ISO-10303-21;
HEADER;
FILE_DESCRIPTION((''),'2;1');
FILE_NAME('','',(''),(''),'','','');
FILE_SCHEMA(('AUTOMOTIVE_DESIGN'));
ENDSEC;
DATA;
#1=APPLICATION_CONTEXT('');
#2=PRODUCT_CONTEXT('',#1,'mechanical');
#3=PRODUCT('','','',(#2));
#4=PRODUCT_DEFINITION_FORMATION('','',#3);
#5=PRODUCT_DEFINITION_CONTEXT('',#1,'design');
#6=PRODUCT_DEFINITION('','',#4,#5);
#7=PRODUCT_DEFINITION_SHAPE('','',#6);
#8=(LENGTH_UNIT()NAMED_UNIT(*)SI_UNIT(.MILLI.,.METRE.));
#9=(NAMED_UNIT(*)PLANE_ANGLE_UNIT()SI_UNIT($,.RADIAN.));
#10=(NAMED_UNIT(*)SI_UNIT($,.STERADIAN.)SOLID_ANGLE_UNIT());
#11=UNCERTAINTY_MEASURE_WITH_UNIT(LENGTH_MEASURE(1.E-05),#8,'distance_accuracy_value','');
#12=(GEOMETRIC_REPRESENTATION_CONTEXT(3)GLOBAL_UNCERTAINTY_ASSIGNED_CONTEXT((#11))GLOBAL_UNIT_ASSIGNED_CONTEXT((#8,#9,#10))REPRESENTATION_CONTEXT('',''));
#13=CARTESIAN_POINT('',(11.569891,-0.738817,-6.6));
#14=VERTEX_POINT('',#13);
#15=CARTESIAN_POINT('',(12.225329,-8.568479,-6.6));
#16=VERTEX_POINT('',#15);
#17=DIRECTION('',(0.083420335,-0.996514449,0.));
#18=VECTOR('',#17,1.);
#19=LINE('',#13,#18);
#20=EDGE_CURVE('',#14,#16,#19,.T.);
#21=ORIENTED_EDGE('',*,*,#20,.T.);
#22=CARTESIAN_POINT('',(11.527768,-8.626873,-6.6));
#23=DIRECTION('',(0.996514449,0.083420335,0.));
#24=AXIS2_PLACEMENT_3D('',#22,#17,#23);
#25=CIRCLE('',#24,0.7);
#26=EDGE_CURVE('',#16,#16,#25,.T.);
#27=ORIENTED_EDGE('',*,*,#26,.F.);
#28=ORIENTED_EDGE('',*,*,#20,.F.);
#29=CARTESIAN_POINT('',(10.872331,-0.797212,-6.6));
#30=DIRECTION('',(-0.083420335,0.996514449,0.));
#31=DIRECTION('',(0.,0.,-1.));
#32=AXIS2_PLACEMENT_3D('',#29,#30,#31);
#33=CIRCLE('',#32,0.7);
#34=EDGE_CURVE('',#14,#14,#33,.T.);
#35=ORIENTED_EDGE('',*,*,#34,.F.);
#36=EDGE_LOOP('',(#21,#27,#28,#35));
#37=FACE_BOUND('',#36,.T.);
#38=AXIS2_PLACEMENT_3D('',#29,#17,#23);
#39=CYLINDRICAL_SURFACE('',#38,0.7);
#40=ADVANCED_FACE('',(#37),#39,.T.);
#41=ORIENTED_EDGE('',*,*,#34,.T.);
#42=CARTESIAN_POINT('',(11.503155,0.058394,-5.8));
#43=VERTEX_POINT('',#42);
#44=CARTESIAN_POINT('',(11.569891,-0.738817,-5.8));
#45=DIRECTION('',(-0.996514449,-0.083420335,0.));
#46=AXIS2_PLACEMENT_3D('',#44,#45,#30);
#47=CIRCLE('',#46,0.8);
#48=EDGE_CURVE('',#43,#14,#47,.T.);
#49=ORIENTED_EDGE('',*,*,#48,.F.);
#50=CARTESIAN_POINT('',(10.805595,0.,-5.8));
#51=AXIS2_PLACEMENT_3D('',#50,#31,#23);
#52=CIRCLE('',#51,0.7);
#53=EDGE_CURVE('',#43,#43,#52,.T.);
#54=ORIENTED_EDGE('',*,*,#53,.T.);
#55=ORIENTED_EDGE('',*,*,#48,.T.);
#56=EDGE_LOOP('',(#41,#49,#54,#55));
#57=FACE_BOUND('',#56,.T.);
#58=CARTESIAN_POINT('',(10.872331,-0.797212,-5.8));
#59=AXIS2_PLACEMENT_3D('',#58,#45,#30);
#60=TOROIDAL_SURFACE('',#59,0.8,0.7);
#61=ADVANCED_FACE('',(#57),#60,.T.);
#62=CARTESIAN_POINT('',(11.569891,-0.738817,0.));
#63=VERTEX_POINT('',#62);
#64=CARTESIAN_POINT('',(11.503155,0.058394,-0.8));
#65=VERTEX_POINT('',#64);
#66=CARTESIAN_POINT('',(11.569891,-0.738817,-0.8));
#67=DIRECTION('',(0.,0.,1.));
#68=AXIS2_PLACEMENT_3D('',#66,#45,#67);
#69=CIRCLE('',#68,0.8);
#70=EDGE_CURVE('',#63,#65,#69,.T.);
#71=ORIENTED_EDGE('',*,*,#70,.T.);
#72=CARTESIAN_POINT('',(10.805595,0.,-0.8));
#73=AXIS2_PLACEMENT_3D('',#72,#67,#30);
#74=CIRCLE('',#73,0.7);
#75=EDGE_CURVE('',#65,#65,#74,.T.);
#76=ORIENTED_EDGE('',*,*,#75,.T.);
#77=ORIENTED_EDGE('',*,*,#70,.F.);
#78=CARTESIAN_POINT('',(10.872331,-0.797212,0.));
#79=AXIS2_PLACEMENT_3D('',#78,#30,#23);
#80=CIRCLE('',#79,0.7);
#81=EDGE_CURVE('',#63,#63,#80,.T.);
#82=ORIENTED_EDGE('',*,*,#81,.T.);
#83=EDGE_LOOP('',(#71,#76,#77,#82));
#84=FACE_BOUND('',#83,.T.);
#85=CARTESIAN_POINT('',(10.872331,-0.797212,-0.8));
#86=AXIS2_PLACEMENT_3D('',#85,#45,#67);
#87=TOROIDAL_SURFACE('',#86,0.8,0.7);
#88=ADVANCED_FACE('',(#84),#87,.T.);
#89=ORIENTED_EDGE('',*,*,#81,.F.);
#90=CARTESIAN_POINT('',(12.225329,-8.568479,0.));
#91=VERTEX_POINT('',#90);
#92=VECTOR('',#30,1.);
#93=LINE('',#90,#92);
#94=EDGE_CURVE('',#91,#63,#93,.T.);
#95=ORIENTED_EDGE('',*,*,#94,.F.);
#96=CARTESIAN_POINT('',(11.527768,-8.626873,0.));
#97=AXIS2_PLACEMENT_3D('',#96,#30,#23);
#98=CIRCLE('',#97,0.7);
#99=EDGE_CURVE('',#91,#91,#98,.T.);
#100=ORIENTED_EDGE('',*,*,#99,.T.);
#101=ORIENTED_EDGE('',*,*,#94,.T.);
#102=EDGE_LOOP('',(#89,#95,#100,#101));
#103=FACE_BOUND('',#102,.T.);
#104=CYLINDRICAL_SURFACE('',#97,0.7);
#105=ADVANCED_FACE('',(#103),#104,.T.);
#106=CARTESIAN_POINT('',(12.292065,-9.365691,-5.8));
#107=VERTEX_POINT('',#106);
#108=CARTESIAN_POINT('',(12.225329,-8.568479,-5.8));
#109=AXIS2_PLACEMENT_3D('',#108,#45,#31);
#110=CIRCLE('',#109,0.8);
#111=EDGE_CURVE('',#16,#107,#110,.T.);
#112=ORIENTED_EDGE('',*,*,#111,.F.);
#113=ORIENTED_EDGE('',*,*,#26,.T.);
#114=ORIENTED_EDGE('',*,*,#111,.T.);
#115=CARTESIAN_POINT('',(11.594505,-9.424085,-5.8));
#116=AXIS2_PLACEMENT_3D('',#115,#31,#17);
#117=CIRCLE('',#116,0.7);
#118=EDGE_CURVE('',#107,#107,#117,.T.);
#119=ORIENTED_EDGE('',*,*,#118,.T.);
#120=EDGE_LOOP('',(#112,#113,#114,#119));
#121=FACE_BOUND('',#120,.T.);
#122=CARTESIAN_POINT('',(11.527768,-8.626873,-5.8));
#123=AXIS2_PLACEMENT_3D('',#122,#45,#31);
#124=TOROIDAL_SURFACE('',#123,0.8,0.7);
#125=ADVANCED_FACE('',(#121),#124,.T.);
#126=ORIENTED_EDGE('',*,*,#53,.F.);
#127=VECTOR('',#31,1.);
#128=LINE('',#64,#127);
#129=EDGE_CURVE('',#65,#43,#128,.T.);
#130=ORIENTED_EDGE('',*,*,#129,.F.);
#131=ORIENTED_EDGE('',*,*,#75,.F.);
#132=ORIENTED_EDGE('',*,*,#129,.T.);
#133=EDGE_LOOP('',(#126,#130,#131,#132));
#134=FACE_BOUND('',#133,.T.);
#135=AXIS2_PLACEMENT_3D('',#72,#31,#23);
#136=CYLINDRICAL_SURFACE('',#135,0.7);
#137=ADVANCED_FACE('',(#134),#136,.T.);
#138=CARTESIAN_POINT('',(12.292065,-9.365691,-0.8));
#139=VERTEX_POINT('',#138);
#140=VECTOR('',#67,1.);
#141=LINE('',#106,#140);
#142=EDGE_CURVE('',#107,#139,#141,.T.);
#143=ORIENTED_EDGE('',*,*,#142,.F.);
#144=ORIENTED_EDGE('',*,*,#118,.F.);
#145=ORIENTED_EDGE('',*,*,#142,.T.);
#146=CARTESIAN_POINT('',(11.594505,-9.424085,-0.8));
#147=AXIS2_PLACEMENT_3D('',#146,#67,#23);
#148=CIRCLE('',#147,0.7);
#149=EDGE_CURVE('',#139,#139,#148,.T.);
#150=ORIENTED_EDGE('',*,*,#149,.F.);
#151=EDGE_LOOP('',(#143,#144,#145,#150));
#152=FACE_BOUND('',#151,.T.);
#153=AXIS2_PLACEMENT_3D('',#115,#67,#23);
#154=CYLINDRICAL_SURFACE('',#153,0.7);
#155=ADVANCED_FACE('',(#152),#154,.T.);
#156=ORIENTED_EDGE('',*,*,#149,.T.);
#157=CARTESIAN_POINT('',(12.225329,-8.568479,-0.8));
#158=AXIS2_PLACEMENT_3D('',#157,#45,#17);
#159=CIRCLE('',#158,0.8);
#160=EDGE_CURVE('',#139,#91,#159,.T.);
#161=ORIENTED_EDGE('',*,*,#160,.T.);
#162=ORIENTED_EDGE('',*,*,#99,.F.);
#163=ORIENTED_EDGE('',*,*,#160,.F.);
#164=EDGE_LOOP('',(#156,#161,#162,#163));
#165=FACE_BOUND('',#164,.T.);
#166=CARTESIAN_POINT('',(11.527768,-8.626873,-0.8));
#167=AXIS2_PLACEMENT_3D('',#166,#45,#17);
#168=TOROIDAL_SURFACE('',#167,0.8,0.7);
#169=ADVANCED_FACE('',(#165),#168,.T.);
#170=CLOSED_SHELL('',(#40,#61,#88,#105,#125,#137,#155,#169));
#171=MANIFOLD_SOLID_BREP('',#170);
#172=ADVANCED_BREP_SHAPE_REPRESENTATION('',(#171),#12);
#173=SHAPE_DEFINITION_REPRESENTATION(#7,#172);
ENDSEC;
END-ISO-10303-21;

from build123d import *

# Parameters (mm, degrees)
SWEEP1_PROFILE_R = 0.7


with BuildPart() as part:
    # Sweep1: sweep along a path in Sketch1
    with BuildLine(Plane(origin=(11.661084527, -10.219427192, 0), x_dir=(-0.08342033512976119, 0.9965144493116187, 0), z_dir=(-0.9965144493116187, -0.08342033512976119, 0))) as sweep1_path:
        Line((1.598124117, 0), (9.455172114, 0))
        ThreePointArc((9.455172114, 0), (10.020857539, 0.234314575), (10.255172114, 0.8))
        Line((10.255172114, 0.8), (10.255172114, 5.8))
        ThreePointArc((10.255172114, 5.8), (10.020857539, 6.365685425), (9.455172114, 6.6))
        Line((9.455172114, 6.6), (1.598124117, 6.6))
        ThreePointArc((1.598124117, 6.6), (1.032438692, 6.365685425), (0.798124117, 5.8))
        Line((0.798124117, 5.8), (0.798124117, 0.8))
        ThreePointArc((0.798124117, 0.8), (1.032438692, 0.234314575), (1.598124117, 0))
    # Sweep1 profile (on start of the path) → Sweep1 (sweep)
    with BuildSketch(Plane(origin=(11.527768478, -8.626873418, 0), x_dir=(0.9965144493116187, 0.08342033512976119, 0), z_dir=(-0.08342033512976119, 0.9965144493116187, 0))):
        Circle(SWEEP1_PROFILE_R)
    sweep(path=sweep1_path.line)


solid = part.part
